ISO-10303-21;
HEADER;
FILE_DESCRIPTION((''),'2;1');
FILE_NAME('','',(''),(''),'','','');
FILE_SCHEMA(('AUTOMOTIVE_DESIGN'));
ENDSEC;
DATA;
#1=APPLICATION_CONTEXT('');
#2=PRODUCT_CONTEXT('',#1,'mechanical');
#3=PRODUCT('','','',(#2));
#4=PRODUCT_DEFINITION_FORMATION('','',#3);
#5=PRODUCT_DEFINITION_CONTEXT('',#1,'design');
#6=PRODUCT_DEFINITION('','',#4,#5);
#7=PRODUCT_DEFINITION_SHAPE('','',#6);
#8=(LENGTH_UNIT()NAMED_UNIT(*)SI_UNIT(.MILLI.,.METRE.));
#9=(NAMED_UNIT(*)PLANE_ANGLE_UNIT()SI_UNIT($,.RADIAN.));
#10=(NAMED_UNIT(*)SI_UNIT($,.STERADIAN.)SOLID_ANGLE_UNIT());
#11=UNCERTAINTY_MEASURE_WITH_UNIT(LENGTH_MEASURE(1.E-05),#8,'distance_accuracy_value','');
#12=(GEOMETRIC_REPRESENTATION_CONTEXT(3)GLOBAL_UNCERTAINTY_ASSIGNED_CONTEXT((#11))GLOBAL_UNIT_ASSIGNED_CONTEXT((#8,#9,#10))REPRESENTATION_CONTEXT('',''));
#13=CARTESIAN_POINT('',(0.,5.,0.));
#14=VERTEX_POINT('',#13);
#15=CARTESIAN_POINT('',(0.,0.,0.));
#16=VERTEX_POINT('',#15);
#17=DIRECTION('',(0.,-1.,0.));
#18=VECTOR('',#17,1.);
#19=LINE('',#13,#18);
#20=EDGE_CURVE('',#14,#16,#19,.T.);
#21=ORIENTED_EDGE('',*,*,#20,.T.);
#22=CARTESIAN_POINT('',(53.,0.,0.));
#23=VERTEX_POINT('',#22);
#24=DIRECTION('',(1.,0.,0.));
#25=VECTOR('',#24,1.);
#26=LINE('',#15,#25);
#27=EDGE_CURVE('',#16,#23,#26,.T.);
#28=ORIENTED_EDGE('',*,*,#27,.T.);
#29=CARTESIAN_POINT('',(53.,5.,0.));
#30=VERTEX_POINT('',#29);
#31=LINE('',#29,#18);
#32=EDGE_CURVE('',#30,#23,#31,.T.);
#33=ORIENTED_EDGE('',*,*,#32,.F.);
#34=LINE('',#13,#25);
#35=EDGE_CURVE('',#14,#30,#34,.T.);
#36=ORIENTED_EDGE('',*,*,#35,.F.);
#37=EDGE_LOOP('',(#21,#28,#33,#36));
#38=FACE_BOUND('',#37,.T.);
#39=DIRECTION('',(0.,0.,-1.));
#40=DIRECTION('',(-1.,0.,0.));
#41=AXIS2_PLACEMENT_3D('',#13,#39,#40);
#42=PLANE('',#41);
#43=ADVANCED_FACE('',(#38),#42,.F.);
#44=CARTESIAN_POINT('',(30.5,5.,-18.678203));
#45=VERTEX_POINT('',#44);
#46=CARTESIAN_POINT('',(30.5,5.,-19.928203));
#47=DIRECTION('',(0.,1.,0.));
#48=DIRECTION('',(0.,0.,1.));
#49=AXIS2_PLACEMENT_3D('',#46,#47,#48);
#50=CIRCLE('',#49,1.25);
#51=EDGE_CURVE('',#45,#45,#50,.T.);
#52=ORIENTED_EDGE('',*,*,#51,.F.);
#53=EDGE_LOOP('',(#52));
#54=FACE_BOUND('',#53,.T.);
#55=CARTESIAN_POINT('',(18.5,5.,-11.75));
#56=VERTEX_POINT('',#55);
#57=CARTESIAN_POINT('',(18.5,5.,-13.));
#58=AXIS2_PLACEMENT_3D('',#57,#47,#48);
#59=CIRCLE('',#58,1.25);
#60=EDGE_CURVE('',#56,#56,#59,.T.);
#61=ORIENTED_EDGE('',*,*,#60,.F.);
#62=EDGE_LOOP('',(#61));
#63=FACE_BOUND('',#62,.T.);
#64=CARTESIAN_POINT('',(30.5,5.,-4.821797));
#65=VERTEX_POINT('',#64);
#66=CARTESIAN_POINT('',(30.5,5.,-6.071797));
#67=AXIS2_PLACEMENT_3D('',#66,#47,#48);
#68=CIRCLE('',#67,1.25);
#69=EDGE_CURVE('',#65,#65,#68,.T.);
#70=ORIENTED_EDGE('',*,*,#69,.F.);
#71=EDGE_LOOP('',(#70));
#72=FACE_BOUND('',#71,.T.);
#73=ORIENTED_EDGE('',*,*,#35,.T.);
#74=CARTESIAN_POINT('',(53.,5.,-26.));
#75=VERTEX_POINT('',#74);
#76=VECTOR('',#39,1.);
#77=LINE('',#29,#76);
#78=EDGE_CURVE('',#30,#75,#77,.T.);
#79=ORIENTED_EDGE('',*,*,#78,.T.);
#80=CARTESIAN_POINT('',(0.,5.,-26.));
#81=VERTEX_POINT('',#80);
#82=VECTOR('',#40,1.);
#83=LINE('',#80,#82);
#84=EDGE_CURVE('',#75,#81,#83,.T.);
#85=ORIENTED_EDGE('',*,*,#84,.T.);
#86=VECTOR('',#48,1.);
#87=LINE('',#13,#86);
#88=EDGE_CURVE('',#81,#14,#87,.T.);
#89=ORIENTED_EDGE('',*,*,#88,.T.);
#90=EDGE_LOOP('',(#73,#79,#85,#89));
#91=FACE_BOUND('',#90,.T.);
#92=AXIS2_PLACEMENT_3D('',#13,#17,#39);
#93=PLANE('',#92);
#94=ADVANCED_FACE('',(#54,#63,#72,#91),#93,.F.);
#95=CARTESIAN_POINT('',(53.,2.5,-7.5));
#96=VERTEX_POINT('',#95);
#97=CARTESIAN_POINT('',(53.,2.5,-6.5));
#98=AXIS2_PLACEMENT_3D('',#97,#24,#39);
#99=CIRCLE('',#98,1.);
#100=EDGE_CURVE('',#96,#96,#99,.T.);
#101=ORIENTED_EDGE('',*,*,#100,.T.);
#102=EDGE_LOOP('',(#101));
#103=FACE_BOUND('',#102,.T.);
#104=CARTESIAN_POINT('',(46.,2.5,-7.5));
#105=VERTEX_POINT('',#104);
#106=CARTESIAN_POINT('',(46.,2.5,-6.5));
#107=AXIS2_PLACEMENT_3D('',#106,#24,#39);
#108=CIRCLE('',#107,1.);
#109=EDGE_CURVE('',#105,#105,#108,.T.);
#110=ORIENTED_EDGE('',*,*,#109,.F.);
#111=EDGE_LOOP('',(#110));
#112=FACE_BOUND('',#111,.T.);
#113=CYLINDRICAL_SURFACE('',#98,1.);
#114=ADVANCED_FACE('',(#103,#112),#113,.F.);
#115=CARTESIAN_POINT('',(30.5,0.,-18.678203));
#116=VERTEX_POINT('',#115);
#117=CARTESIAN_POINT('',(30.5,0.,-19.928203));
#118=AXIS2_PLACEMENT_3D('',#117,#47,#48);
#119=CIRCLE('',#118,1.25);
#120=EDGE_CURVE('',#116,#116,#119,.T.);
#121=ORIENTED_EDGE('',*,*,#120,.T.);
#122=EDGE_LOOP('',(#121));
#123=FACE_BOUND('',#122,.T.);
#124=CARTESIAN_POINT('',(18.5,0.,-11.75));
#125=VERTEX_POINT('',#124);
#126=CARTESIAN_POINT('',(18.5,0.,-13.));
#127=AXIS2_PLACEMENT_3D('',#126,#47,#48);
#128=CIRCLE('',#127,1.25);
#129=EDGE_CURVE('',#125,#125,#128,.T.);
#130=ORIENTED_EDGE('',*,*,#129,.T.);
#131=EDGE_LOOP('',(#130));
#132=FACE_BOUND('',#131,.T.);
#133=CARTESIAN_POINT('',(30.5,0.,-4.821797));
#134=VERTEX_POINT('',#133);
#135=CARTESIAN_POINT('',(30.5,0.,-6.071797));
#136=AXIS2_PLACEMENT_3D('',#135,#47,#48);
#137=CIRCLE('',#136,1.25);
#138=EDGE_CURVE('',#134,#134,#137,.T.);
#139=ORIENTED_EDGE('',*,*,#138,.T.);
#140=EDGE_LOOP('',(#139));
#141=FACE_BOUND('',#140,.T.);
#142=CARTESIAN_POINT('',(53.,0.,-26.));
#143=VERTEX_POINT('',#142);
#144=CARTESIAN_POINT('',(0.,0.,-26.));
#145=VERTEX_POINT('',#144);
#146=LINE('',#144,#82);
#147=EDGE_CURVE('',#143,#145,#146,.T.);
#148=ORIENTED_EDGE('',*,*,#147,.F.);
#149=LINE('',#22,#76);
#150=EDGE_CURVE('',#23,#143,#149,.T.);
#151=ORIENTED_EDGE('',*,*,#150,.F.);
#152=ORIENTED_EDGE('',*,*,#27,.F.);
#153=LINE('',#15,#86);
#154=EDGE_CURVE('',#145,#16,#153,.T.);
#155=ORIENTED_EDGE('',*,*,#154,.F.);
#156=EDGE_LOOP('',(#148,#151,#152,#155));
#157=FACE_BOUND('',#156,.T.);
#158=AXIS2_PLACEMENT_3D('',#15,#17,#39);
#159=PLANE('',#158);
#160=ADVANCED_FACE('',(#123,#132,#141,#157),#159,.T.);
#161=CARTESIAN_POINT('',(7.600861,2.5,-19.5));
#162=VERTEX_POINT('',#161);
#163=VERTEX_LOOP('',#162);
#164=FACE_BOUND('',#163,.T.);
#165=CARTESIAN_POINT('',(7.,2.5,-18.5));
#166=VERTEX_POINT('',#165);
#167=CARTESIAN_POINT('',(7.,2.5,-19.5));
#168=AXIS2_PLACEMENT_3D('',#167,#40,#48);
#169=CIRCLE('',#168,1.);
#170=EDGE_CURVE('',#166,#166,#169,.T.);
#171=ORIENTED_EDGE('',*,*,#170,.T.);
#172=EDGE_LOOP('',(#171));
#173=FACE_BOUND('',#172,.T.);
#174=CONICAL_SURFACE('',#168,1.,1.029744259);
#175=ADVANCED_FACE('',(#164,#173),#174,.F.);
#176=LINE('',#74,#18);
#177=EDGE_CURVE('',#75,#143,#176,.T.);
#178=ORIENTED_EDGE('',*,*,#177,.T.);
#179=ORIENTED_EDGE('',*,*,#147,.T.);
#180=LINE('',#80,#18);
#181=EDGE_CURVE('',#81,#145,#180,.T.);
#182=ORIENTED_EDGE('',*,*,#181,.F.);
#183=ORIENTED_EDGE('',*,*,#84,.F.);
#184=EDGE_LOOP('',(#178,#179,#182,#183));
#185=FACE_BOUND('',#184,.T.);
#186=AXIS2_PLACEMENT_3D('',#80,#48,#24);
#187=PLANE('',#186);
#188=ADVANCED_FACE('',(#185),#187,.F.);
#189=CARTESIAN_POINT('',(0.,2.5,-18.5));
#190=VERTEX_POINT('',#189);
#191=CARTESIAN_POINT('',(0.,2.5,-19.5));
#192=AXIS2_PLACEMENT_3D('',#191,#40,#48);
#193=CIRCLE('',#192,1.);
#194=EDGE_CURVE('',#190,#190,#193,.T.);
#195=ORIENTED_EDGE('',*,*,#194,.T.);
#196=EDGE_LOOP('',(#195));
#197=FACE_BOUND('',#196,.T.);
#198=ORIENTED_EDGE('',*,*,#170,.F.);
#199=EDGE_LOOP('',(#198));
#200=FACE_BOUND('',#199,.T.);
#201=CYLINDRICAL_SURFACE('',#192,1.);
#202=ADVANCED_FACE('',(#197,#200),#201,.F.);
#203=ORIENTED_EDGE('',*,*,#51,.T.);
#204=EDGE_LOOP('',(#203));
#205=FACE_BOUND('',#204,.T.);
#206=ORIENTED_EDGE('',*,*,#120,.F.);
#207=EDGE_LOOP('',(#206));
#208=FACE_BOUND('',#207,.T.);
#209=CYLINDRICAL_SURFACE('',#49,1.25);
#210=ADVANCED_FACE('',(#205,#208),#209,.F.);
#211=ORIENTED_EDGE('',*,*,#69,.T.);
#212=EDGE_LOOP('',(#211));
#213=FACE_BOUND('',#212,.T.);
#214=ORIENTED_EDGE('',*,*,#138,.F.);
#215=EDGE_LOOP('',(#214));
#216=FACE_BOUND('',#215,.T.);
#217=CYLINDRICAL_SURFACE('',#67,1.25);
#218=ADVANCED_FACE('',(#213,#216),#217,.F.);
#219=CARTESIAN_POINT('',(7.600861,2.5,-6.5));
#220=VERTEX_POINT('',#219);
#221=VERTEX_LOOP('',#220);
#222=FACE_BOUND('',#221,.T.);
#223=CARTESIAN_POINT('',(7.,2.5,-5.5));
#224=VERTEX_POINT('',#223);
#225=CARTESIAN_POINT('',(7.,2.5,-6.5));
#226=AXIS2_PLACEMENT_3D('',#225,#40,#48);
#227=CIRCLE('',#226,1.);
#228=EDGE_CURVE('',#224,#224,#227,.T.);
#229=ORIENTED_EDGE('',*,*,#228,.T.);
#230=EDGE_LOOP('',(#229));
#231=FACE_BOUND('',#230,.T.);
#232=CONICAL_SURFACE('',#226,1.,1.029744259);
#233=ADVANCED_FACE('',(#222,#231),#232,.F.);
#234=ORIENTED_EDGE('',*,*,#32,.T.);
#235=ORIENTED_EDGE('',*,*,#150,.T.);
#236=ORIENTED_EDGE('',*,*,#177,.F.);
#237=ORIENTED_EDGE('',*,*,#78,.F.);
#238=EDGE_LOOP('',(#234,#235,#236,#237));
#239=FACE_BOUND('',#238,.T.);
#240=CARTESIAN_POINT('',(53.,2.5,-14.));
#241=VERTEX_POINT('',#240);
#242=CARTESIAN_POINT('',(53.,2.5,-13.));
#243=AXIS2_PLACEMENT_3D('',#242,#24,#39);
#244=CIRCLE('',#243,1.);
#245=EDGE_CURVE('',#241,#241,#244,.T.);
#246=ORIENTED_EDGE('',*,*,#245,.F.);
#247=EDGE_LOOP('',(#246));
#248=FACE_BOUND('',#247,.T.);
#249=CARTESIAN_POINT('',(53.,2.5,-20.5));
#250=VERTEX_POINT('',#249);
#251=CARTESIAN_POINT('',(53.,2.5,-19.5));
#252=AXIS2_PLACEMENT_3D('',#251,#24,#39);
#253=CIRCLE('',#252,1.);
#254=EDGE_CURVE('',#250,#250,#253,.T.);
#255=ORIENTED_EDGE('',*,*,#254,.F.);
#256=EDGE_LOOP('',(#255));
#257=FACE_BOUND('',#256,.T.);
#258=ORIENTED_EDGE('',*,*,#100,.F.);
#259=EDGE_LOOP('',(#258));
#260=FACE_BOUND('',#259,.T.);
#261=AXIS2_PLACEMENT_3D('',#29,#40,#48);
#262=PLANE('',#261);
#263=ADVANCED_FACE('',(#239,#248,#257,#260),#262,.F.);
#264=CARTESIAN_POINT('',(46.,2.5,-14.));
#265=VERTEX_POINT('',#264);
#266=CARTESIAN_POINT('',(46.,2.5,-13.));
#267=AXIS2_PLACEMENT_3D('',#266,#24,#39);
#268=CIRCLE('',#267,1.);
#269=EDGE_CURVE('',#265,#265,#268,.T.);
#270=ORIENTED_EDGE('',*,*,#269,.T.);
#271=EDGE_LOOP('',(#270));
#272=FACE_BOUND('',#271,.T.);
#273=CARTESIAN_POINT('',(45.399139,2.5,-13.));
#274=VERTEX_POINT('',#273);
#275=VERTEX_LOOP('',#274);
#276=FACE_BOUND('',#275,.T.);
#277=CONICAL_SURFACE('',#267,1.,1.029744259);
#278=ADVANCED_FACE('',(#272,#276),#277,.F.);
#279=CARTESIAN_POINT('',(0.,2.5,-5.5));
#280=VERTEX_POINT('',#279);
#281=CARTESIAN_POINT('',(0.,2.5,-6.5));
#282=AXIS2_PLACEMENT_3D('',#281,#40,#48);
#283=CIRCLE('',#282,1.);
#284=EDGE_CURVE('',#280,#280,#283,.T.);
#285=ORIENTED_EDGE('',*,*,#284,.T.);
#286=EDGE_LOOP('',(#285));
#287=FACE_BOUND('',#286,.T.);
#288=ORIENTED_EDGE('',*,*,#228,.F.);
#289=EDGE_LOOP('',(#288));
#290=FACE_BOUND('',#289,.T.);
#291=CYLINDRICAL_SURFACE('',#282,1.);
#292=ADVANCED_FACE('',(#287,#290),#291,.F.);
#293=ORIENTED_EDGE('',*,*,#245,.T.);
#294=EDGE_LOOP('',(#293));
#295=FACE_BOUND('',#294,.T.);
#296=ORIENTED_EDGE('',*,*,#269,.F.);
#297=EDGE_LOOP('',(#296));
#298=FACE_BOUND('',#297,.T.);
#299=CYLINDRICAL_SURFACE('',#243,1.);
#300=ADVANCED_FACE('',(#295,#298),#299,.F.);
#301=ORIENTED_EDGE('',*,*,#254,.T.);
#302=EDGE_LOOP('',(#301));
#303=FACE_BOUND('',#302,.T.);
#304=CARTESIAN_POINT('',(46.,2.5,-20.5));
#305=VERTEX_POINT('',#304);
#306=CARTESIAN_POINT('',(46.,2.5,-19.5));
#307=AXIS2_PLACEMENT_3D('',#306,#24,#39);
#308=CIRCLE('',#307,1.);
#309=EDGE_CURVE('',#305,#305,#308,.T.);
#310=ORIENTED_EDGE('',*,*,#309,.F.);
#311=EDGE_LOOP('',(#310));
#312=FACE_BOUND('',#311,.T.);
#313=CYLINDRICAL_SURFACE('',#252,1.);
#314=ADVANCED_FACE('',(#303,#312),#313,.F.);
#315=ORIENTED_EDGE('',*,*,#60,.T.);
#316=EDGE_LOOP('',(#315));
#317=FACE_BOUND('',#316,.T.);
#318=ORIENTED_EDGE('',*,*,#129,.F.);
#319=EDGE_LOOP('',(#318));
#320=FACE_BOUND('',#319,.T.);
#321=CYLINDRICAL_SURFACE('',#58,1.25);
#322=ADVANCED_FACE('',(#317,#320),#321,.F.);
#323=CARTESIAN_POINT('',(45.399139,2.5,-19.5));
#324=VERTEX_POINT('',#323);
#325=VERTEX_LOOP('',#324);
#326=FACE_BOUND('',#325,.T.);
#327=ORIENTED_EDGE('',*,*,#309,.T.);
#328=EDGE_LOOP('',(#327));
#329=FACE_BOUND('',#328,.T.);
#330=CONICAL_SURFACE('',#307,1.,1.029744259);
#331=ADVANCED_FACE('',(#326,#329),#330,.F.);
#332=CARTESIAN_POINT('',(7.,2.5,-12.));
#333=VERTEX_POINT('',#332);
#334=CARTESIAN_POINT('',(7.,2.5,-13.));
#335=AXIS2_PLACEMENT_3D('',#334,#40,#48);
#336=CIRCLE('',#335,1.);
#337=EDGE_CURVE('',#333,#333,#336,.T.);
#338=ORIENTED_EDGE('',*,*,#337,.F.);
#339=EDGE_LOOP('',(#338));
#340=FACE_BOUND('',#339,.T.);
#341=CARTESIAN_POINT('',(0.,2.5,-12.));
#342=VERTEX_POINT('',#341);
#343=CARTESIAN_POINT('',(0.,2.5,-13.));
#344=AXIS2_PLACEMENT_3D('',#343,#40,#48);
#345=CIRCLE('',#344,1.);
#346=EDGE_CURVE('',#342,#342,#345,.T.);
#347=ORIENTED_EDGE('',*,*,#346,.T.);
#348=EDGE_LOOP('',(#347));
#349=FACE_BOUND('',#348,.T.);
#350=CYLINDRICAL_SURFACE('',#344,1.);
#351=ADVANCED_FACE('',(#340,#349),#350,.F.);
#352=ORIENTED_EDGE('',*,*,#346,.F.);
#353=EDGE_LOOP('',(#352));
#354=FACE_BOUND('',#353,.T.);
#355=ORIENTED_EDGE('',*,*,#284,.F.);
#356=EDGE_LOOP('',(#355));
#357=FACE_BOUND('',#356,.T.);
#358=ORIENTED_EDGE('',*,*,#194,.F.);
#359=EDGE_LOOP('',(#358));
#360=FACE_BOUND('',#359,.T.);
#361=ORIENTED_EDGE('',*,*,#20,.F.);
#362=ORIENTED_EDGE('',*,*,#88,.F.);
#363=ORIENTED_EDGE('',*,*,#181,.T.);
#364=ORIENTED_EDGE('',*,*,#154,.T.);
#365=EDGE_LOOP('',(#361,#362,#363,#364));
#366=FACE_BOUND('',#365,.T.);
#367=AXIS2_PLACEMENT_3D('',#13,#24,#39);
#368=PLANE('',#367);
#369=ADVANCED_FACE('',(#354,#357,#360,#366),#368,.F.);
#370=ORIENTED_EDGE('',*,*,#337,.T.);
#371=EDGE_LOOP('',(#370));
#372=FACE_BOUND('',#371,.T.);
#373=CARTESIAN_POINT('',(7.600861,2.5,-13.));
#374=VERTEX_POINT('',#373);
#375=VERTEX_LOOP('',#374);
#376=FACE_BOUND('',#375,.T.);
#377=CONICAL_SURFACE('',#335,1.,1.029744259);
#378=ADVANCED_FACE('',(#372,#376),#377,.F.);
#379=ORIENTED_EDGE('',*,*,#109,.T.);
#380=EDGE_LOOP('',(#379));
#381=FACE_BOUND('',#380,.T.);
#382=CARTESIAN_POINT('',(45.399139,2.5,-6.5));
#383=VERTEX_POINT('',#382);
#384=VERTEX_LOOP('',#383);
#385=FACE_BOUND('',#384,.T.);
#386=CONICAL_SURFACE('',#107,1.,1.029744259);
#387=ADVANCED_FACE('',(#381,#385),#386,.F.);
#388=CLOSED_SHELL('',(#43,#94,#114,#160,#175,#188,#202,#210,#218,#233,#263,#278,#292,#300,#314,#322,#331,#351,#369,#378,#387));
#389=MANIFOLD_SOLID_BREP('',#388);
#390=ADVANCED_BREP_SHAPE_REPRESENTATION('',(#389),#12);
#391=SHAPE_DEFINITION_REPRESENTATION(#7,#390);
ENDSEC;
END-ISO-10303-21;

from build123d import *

# Parameters (mm, degrees)
SKETCH1_W                 = 53
SKETCH1_H                 = 26
BOSS_EXTRUDE1_DEPTH       = 5
F_2_0MM_DOWEL_HOLE4_D     = 2
F_2_0MM_DOWEL_HOLE4_DEPTH = 7
F_2_0MM_DOWEL_HOLE4_TIP   = 0.600860619
F_2_0MM_DOWEL_HOLE6_D     = 2
F_2_0MM_DOWEL_HOLE6_DEPTH = 7
F_2_0MM_DOWEL_HOLE6_TIP   = 0.600860619
F_2_5MM_DOWEL_HOLE1_D     = 2.5
F_2_5MM_DOWEL_HOLE1_DEPTH = 5
F_2_5MM_DOWEL_HOLE1_TIP   = 0.751075774


with BuildPart() as part:
    # Sketch1 → Boss-Extrude1 (new body)
    with BuildSketch(Plane(origin=(0, 0, 0), x_dir=(1, 0, 0), z_dir=(0, 1, 0))):
        with Locations((26.5, 13)):
            Rectangle(SKETCH1_W, SKETCH1_H)
    extrude(amount=BOSS_EXTRUDE1_DEPTH)

    # Ø2.0mm Dowel Hole4
    with Locations(Plane(origin=(53, 2.5, -6.5), x_dir=(0, 0, 1), z_dir=(1, 0, 0))):
        with Locations((0, 0), (-6.5, 0), (-13, 0)):
            Hole(F_2_0MM_DOWEL_HOLE4_D / 2, depth=F_2_0MM_DOWEL_HOLE4_DEPTH)
            with Locations((0, 0, -(F_2_0MM_DOWEL_HOLE4_DEPTH + F_2_0MM_DOWEL_HOLE4_TIP / 2))):  # 118° drill point
                Cone(0, F_2_0MM_DOWEL_HOLE4_D / 2, F_2_0MM_DOWEL_HOLE4_TIP, mode=Mode.SUBTRACT)

    # Ø2.0mm Dowel Hole6
    with Locations(Plane.ZY):
        with Locations((-19.5, 2.5), (-13, 2.5), (-6.5, 2.5)):
            Hole(F_2_0MM_DOWEL_HOLE6_D / 2, depth=F_2_0MM_DOWEL_HOLE6_DEPTH)
            with Locations((0, 0, -(F_2_0MM_DOWEL_HOLE6_DEPTH + F_2_0MM_DOWEL_HOLE6_TIP / 2))):  # 118° drill point
                Cone(0, F_2_0MM_DOWEL_HOLE6_D / 2, F_2_0MM_DOWEL_HOLE6_TIP, mode=Mode.SUBTRACT)

    # Ø2.5mm Dowel Hole1
    with Locations(Plane(origin=(18.5, 5, -13), x_dir=(0, 0, 1), z_dir=(0, 1, 0))):
        with Locations((0, 0), (-6.92820323, 12), (6.92820323, 12)):
            Hole(F_2_5MM_DOWEL_HOLE1_D / 2, depth=F_2_5MM_DOWEL_HOLE1_DEPTH)
            with Locations((0, 0, -(F_2_5MM_DOWEL_HOLE1_DEPTH + F_2_5MM_DOWEL_HOLE1_TIP / 2))):  # 118° drill point
                Cone(0, F_2_5MM_DOWEL_HOLE1_D / 2, F_2_5MM_DOWEL_HOLE1_TIP, mode=Mode.SUBTRACT)


solid = part.part
